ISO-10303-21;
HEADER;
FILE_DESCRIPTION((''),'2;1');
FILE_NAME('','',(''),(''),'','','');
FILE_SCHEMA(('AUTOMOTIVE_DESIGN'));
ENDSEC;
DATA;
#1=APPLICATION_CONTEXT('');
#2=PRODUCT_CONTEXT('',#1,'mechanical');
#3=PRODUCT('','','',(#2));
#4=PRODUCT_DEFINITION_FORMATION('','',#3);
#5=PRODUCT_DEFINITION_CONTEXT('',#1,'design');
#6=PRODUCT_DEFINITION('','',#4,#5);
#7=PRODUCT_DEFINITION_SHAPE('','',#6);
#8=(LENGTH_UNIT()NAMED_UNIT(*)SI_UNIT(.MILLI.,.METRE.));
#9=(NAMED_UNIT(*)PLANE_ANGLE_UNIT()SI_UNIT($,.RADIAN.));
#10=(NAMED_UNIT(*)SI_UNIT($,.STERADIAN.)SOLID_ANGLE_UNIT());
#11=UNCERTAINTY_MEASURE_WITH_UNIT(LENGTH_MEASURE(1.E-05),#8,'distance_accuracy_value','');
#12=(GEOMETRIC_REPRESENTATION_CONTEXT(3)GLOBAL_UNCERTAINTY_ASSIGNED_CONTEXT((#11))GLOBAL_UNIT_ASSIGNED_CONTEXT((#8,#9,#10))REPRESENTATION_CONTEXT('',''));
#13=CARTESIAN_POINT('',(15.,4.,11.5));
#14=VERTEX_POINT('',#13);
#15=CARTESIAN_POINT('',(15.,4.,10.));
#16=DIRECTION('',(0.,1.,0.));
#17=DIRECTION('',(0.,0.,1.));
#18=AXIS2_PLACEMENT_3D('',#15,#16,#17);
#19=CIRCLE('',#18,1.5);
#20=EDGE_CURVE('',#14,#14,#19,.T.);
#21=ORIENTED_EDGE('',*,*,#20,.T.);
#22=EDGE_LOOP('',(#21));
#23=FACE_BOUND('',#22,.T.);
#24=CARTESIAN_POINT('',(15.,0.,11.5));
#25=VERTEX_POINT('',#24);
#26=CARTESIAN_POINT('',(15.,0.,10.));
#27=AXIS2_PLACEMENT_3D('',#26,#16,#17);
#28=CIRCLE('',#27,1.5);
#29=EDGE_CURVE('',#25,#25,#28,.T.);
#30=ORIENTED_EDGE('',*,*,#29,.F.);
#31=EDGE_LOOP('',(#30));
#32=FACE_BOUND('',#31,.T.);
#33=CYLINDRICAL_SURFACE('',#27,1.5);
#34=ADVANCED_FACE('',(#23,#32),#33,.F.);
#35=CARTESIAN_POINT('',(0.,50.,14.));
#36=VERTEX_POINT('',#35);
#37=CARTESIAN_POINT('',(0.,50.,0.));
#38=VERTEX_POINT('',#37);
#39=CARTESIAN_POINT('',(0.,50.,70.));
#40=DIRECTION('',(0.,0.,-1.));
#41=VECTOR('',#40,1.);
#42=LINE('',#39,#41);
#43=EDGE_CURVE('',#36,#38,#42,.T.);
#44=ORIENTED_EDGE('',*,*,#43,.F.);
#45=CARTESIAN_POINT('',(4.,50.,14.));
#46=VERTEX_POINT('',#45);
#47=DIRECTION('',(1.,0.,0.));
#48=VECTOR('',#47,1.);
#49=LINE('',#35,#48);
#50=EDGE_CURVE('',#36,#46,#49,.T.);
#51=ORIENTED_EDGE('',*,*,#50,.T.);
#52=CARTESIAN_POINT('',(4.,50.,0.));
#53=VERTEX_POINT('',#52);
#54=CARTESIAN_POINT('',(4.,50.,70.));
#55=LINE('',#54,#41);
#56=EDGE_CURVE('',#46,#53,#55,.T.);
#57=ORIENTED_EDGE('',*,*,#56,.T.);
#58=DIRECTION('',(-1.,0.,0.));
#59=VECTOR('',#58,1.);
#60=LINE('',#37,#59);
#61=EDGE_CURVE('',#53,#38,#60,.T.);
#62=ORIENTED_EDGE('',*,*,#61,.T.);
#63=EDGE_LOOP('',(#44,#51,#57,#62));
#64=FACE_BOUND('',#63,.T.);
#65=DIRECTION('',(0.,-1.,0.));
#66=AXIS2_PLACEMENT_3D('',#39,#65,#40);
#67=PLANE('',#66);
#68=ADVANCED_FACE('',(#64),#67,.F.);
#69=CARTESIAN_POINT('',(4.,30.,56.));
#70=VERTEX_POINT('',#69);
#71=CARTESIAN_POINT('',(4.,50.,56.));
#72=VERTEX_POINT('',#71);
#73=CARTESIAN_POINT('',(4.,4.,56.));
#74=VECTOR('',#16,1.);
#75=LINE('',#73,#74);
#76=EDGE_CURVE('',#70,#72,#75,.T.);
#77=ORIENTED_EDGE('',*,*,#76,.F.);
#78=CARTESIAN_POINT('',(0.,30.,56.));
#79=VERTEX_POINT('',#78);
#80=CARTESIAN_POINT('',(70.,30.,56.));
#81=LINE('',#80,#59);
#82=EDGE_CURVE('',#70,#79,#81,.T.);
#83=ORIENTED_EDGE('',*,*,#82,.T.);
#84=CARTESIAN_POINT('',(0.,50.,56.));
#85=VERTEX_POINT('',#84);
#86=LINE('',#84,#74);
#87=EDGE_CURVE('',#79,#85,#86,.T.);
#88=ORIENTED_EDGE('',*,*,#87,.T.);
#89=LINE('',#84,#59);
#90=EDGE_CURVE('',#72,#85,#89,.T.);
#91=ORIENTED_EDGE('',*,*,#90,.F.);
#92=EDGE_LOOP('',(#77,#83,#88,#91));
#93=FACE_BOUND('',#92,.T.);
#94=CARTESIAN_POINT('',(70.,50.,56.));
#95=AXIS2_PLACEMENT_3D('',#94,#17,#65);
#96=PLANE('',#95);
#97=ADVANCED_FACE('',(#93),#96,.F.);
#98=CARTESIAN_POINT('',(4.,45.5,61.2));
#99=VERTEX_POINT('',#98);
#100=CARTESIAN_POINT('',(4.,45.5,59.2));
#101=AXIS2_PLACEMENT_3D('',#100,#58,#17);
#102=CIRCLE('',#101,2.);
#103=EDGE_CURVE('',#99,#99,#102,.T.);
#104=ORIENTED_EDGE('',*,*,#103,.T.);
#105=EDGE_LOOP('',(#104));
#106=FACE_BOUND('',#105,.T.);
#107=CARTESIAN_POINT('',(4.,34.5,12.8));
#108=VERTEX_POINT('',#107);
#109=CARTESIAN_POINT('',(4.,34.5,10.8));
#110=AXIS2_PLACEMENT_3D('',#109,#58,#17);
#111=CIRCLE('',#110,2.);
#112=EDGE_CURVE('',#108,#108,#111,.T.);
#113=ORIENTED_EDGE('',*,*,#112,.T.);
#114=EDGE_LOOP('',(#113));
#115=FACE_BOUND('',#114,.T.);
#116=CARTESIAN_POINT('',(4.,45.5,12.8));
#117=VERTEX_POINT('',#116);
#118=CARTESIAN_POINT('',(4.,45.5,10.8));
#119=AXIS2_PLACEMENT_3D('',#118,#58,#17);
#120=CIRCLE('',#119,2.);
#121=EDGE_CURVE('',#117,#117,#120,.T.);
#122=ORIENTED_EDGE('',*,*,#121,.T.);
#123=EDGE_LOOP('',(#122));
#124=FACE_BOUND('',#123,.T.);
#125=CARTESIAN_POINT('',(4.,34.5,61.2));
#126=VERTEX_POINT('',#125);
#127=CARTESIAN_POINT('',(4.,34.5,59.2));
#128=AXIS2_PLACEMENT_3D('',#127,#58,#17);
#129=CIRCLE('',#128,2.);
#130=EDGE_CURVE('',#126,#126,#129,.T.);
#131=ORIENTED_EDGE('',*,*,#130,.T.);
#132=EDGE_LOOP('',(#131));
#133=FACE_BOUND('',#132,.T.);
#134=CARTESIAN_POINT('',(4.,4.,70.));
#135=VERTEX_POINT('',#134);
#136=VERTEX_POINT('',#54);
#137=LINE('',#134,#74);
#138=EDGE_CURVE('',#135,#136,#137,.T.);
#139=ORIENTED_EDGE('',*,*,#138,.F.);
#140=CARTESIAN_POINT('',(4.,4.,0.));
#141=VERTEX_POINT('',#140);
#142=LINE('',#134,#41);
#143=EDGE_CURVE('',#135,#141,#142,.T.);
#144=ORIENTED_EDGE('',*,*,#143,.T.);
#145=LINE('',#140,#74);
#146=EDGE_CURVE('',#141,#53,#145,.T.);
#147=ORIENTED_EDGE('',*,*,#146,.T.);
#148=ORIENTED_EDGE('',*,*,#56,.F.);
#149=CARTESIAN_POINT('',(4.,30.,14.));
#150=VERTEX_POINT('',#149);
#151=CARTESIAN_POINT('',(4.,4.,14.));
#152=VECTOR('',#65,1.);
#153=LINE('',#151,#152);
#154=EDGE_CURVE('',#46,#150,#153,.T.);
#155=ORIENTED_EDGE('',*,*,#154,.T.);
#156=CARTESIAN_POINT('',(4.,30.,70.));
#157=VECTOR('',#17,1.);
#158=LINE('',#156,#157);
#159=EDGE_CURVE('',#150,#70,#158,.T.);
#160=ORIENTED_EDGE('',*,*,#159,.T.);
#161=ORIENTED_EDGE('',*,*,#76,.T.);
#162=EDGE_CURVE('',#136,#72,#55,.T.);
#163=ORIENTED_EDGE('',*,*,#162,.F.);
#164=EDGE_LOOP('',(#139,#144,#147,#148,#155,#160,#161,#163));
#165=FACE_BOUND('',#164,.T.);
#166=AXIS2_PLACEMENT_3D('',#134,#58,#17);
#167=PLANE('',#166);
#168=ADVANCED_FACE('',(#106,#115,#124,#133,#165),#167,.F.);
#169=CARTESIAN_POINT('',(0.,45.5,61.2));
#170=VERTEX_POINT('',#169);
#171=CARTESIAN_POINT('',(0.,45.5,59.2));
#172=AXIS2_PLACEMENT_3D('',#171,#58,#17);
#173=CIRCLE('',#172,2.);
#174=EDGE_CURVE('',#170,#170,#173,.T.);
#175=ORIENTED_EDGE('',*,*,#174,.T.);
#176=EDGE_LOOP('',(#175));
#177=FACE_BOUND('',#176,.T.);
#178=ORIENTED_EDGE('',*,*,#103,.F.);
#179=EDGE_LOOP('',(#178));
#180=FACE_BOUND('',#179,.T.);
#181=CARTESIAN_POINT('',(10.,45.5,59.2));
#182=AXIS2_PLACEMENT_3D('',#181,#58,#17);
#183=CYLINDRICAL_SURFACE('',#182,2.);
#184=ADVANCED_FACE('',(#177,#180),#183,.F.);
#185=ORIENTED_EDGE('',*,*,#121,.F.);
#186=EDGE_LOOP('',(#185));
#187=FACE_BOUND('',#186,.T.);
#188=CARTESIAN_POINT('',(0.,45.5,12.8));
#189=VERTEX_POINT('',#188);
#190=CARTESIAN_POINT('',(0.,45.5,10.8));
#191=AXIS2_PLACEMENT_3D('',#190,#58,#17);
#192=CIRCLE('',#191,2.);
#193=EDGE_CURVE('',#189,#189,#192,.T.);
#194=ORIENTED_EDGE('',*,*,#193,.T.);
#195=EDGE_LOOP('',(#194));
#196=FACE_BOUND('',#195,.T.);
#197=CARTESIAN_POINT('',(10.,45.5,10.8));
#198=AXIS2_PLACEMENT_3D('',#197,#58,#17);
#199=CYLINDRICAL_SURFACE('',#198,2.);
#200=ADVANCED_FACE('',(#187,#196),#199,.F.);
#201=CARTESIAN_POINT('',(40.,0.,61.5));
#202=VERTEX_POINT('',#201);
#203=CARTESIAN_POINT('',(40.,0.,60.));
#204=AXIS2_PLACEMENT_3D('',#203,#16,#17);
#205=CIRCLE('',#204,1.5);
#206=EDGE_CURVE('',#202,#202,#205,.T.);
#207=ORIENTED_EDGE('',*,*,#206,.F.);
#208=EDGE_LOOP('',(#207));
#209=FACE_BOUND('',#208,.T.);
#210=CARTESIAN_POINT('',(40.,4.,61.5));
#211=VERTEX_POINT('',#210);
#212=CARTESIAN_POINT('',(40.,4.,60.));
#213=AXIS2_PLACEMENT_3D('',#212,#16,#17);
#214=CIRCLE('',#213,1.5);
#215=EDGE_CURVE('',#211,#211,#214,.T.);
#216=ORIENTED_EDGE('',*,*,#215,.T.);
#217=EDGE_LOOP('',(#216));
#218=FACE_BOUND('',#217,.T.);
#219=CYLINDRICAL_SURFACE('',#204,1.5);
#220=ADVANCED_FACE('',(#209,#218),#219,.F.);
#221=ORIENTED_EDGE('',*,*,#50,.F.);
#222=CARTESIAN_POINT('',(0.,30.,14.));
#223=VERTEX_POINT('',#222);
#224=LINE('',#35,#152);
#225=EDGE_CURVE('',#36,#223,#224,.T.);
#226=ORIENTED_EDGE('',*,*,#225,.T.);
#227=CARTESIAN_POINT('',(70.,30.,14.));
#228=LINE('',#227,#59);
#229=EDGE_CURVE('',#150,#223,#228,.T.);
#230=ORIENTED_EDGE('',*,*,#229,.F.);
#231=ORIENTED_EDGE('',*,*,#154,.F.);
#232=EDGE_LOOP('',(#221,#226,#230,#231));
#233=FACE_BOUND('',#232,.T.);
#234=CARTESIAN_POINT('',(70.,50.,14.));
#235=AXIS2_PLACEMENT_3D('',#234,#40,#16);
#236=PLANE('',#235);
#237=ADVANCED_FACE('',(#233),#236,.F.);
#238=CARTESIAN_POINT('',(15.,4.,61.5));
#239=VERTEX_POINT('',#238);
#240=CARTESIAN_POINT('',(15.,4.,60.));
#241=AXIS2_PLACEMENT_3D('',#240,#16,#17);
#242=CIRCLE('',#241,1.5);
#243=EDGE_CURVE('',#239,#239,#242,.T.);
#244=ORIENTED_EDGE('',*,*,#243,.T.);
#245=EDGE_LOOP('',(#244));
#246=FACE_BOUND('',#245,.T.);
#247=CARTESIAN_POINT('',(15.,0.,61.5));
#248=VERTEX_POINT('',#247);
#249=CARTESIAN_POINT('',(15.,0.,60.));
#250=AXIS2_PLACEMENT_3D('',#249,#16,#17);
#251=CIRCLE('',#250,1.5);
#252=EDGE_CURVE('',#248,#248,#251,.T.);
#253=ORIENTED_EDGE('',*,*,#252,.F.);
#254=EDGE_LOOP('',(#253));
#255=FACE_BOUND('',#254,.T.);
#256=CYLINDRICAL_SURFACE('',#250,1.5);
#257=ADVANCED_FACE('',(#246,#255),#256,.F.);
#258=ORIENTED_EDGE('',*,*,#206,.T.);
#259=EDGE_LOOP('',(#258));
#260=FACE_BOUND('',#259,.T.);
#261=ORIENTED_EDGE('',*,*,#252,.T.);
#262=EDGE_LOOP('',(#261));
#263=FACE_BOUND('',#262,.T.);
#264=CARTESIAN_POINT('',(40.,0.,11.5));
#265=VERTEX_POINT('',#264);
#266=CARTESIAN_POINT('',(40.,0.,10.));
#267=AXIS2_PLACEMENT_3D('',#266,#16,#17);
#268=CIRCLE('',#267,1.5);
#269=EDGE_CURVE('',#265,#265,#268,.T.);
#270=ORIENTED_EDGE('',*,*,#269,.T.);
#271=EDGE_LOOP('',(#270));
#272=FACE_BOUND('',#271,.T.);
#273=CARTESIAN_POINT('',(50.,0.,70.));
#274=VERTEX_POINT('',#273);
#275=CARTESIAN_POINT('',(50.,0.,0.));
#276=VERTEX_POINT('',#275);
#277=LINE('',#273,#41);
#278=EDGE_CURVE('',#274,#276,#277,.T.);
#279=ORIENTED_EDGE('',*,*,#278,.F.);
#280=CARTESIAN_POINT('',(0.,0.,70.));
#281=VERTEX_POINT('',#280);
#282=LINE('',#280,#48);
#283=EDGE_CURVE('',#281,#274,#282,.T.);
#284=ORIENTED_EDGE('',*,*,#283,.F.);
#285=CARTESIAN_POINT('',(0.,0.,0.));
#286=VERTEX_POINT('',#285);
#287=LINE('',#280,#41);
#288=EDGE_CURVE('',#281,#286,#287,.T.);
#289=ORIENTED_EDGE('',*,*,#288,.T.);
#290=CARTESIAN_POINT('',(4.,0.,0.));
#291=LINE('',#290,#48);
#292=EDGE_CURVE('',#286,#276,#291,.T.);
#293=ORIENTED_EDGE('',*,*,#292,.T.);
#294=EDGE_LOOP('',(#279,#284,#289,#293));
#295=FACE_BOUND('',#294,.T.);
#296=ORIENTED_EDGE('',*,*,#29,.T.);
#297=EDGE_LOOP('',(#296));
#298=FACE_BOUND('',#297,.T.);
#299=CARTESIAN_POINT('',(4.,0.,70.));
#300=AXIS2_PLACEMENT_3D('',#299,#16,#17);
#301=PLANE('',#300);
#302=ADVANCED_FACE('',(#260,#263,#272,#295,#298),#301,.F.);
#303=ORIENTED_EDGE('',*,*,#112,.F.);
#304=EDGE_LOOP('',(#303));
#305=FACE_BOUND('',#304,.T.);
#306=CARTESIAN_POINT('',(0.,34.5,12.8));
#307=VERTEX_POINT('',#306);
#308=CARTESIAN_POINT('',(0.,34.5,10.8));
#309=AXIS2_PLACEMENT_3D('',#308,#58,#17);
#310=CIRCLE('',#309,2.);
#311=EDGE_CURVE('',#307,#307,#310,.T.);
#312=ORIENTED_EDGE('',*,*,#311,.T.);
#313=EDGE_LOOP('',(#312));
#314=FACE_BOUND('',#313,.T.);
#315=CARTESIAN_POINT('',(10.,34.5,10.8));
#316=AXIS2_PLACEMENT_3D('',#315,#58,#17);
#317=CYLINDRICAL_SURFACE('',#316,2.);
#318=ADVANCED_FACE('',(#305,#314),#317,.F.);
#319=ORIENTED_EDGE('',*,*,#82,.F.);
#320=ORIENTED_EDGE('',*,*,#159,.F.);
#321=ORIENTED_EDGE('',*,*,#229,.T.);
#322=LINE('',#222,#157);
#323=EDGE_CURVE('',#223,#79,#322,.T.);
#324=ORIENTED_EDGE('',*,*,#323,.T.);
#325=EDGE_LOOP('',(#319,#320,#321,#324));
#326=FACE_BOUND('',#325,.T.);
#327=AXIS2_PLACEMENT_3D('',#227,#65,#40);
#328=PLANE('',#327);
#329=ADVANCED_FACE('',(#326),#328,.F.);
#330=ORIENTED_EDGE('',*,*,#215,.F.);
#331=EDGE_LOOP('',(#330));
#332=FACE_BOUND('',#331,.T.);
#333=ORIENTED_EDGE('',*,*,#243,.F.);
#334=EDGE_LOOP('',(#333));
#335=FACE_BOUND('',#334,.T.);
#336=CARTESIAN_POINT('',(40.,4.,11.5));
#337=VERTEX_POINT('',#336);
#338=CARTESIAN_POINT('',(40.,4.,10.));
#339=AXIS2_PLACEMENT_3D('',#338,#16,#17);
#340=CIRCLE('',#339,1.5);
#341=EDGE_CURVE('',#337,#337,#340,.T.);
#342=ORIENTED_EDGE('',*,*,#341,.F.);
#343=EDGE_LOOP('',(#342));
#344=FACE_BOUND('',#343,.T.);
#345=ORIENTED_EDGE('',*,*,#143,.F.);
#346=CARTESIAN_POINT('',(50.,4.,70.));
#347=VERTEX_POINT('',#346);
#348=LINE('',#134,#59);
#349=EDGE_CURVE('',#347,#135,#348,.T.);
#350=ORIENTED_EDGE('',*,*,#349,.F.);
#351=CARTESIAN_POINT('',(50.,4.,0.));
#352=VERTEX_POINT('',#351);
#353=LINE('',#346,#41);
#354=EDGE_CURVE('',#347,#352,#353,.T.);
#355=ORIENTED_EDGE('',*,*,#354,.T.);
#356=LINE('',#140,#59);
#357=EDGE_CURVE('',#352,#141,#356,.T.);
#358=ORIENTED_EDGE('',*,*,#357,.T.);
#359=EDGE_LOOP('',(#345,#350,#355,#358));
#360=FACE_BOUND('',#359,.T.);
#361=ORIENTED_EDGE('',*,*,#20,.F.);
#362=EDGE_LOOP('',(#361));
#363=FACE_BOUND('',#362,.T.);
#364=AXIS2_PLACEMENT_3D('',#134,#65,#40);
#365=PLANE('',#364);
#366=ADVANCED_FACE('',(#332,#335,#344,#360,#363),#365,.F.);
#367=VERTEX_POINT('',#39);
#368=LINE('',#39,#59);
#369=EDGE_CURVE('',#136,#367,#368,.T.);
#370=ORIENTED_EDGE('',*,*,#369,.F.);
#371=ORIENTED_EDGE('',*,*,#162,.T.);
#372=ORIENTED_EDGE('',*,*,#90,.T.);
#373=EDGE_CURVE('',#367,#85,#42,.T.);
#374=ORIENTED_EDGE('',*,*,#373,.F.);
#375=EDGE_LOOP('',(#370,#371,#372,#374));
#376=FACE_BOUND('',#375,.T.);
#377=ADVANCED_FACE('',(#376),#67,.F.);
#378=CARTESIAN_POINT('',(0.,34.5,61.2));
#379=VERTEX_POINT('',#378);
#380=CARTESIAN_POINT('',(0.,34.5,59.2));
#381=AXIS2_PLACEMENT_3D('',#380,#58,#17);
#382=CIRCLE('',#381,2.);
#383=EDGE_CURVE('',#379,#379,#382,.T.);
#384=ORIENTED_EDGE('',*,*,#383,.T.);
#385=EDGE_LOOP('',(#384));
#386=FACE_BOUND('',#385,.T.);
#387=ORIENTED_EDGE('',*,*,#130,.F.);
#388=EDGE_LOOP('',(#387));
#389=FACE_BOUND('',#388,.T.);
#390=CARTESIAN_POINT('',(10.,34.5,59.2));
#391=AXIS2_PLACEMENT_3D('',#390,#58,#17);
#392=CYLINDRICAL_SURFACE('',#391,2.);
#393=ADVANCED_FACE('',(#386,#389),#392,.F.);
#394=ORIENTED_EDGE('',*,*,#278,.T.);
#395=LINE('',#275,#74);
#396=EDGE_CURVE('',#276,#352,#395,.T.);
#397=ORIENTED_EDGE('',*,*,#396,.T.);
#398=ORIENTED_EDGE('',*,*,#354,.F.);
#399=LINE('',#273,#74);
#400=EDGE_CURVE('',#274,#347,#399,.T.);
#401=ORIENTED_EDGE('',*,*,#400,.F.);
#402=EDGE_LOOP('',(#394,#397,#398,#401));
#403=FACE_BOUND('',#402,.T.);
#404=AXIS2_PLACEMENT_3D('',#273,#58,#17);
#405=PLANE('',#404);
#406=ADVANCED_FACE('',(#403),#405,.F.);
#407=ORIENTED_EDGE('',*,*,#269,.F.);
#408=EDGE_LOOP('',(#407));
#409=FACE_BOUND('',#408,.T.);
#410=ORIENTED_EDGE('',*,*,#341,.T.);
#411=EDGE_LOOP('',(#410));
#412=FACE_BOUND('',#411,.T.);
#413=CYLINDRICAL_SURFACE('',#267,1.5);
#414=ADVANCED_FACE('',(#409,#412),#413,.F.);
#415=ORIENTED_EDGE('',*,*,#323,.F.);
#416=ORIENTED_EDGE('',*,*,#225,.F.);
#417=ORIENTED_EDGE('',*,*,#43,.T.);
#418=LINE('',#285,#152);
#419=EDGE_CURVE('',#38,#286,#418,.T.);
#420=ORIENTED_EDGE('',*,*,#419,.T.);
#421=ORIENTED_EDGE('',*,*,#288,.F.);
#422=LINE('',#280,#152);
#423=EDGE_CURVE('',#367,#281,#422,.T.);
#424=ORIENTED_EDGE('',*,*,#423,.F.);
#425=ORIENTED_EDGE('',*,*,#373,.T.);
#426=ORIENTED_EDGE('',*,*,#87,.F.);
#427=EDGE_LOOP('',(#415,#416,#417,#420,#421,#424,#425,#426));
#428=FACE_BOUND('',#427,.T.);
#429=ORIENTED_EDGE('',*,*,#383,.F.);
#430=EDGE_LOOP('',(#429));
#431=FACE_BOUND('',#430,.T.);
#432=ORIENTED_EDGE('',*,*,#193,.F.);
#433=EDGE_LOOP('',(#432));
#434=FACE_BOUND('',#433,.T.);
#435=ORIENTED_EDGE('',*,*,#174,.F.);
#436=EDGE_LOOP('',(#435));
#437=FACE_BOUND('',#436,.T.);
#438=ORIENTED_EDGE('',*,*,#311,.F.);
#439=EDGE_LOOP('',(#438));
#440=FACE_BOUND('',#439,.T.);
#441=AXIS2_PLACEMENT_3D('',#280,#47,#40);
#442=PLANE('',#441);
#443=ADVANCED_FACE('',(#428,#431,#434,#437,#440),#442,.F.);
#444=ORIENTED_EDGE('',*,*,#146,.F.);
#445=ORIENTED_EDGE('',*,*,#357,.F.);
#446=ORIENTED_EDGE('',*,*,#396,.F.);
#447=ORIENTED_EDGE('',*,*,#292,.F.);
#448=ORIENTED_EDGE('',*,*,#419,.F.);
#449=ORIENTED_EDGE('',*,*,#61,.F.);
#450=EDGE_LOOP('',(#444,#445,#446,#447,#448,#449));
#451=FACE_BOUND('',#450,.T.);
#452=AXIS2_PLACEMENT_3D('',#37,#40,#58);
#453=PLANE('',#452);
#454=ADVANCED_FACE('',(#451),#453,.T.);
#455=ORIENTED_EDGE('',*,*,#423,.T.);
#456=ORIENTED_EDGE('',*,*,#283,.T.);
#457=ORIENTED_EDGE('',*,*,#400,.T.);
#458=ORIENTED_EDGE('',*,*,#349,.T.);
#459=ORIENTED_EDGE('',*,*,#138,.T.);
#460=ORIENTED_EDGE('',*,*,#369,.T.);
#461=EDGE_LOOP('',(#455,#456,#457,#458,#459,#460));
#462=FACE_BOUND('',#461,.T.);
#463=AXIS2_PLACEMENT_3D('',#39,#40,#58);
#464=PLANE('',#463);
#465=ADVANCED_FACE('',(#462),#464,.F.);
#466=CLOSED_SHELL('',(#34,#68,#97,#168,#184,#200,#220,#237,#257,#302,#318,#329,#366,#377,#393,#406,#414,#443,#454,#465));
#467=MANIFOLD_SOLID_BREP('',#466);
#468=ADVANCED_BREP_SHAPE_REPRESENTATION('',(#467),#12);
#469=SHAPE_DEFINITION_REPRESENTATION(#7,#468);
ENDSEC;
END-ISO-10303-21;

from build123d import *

# Parameters (mm, degrees)
EXTRUSION1_DEPTH                = 70
ESQUISSE2_W                     = 42
ESQUISSE2_H                     = 20
EXTRUSION2_DEPTH                = 70
ESQUISSE4_R                     = 1.5
EXTRUSION3_DEPTH                = 98.549987186
R_P_TITION_LIN_AIRE1_COUNT      = 2
R_P_TITION_LIN_AIRE1_PITCH      = 50
R_P_TITION_LIN_AIRE1_COUNT_DIR2 = 2
R_P_TITION_LIN_AIRE1_PITCH_DIR2 = 25
ESQUISSE5_R                     = 2
ENL_V_MAT_EXTRU_1_DEPTH         = 10
ESQUISSE6_R                     = 2
ENL_V_MAT_EXTRU_2_DEPTH         = 10
ESQUISSE7_R                     = 2
ENL_V_MAT_EXTRU_3_DEPTH         = 10
ESQUISSE8_R                     = 2
ENL_V_MAT_EXTRU_4_DEPTH         = 10


with BuildPart() as part:
    # Esquisse1 → Extrusion1 (new body)
    with BuildSketch(Plane.XY):
        Polygon((0, 0), (4, 0), (50, 0), (50, 4), (4, 4), (4, 50), (0, 50), align=None)
    extrude(amount=EXTRUSION1_DEPTH)

    # Esquisse2 → Extrusion2 (cut)
    with BuildSketch(Plane.ZY):
        with Locations((35, 40)):
            Rectangle(ESQUISSE2_W, ESQUISSE2_H)
    extrude(amount=-EXTRUSION2_DEPTH, mode=Mode.SUBTRACT)

    # Esquisse4 → Extrusion3 (cut, through all)
    with BuildSketch(Plane(origin=(0, 4, 0), x_dir=(1, 0, 0), z_dir=(0, 1, 0))):
        with Locations(Location((40, -60, 0), (0, 0, 270))):
            Circle(ESQUISSE4_R)
    extrusion3 = extrude(amount=-EXTRUSION3_DEPTH, mode=Mode.SUBTRACT)

    # Répétition linéaire1: Extrusion3 2 × 2
    with Locations(*[(-j * R_P_TITION_LIN_AIRE1_PITCH_DIR2, 0, -i * R_P_TITION_LIN_AIRE1_PITCH) for i in range(R_P_TITION_LIN_AIRE1_COUNT) for j in range(R_P_TITION_LIN_AIRE1_COUNT_DIR2) if (i, j) != (0, 0)]):
        add(extrusion3, mode=Mode.SUBTRACT)

    # Esquisse5 → Enlèv. mat.-Extru.1 (cut)
    with BuildSketch(Plane.ZY):
        with Locations((59.2, 45.5)):
            Circle(ESQUISSE5_R)
    extrude(amount=-ENL_V_MAT_EXTRU_1_DEPTH, mode=Mode.SUBTRACT)

    # Esquisse6 → Enlèv. mat.-Extru.2 (cut)
    with BuildSketch(Plane.ZY):
        with Locations((59.2, 34.5)):
            Circle(ESQUISSE6_R)
    extrude(amount=-ENL_V_MAT_EXTRU_2_DEPTH, mode=Mode.SUBTRACT)

    # Esquisse7 → Enlèv. mat.-Extru.3 (cut)
    with BuildSketch(Plane.ZY):
        with Locations((10.8, 34.5)):
            Circle(ESQUISSE7_R)
    extrude(amount=-ENL_V_MAT_EXTRU_3_DEPTH, mode=Mode.SUBTRACT)

    # Esquisse8 → Enlèv. mat.-Extru.4 (cut)
    with BuildSketch(Plane.ZY):
        with Locations((10.8, 45.5)):
            Circle(ESQUISSE8_R)
    extrude(amount=-ENL_V_MAT_EXTRU_4_DEPTH, mode=Mode.SUBTRACT)


solid = part.part
